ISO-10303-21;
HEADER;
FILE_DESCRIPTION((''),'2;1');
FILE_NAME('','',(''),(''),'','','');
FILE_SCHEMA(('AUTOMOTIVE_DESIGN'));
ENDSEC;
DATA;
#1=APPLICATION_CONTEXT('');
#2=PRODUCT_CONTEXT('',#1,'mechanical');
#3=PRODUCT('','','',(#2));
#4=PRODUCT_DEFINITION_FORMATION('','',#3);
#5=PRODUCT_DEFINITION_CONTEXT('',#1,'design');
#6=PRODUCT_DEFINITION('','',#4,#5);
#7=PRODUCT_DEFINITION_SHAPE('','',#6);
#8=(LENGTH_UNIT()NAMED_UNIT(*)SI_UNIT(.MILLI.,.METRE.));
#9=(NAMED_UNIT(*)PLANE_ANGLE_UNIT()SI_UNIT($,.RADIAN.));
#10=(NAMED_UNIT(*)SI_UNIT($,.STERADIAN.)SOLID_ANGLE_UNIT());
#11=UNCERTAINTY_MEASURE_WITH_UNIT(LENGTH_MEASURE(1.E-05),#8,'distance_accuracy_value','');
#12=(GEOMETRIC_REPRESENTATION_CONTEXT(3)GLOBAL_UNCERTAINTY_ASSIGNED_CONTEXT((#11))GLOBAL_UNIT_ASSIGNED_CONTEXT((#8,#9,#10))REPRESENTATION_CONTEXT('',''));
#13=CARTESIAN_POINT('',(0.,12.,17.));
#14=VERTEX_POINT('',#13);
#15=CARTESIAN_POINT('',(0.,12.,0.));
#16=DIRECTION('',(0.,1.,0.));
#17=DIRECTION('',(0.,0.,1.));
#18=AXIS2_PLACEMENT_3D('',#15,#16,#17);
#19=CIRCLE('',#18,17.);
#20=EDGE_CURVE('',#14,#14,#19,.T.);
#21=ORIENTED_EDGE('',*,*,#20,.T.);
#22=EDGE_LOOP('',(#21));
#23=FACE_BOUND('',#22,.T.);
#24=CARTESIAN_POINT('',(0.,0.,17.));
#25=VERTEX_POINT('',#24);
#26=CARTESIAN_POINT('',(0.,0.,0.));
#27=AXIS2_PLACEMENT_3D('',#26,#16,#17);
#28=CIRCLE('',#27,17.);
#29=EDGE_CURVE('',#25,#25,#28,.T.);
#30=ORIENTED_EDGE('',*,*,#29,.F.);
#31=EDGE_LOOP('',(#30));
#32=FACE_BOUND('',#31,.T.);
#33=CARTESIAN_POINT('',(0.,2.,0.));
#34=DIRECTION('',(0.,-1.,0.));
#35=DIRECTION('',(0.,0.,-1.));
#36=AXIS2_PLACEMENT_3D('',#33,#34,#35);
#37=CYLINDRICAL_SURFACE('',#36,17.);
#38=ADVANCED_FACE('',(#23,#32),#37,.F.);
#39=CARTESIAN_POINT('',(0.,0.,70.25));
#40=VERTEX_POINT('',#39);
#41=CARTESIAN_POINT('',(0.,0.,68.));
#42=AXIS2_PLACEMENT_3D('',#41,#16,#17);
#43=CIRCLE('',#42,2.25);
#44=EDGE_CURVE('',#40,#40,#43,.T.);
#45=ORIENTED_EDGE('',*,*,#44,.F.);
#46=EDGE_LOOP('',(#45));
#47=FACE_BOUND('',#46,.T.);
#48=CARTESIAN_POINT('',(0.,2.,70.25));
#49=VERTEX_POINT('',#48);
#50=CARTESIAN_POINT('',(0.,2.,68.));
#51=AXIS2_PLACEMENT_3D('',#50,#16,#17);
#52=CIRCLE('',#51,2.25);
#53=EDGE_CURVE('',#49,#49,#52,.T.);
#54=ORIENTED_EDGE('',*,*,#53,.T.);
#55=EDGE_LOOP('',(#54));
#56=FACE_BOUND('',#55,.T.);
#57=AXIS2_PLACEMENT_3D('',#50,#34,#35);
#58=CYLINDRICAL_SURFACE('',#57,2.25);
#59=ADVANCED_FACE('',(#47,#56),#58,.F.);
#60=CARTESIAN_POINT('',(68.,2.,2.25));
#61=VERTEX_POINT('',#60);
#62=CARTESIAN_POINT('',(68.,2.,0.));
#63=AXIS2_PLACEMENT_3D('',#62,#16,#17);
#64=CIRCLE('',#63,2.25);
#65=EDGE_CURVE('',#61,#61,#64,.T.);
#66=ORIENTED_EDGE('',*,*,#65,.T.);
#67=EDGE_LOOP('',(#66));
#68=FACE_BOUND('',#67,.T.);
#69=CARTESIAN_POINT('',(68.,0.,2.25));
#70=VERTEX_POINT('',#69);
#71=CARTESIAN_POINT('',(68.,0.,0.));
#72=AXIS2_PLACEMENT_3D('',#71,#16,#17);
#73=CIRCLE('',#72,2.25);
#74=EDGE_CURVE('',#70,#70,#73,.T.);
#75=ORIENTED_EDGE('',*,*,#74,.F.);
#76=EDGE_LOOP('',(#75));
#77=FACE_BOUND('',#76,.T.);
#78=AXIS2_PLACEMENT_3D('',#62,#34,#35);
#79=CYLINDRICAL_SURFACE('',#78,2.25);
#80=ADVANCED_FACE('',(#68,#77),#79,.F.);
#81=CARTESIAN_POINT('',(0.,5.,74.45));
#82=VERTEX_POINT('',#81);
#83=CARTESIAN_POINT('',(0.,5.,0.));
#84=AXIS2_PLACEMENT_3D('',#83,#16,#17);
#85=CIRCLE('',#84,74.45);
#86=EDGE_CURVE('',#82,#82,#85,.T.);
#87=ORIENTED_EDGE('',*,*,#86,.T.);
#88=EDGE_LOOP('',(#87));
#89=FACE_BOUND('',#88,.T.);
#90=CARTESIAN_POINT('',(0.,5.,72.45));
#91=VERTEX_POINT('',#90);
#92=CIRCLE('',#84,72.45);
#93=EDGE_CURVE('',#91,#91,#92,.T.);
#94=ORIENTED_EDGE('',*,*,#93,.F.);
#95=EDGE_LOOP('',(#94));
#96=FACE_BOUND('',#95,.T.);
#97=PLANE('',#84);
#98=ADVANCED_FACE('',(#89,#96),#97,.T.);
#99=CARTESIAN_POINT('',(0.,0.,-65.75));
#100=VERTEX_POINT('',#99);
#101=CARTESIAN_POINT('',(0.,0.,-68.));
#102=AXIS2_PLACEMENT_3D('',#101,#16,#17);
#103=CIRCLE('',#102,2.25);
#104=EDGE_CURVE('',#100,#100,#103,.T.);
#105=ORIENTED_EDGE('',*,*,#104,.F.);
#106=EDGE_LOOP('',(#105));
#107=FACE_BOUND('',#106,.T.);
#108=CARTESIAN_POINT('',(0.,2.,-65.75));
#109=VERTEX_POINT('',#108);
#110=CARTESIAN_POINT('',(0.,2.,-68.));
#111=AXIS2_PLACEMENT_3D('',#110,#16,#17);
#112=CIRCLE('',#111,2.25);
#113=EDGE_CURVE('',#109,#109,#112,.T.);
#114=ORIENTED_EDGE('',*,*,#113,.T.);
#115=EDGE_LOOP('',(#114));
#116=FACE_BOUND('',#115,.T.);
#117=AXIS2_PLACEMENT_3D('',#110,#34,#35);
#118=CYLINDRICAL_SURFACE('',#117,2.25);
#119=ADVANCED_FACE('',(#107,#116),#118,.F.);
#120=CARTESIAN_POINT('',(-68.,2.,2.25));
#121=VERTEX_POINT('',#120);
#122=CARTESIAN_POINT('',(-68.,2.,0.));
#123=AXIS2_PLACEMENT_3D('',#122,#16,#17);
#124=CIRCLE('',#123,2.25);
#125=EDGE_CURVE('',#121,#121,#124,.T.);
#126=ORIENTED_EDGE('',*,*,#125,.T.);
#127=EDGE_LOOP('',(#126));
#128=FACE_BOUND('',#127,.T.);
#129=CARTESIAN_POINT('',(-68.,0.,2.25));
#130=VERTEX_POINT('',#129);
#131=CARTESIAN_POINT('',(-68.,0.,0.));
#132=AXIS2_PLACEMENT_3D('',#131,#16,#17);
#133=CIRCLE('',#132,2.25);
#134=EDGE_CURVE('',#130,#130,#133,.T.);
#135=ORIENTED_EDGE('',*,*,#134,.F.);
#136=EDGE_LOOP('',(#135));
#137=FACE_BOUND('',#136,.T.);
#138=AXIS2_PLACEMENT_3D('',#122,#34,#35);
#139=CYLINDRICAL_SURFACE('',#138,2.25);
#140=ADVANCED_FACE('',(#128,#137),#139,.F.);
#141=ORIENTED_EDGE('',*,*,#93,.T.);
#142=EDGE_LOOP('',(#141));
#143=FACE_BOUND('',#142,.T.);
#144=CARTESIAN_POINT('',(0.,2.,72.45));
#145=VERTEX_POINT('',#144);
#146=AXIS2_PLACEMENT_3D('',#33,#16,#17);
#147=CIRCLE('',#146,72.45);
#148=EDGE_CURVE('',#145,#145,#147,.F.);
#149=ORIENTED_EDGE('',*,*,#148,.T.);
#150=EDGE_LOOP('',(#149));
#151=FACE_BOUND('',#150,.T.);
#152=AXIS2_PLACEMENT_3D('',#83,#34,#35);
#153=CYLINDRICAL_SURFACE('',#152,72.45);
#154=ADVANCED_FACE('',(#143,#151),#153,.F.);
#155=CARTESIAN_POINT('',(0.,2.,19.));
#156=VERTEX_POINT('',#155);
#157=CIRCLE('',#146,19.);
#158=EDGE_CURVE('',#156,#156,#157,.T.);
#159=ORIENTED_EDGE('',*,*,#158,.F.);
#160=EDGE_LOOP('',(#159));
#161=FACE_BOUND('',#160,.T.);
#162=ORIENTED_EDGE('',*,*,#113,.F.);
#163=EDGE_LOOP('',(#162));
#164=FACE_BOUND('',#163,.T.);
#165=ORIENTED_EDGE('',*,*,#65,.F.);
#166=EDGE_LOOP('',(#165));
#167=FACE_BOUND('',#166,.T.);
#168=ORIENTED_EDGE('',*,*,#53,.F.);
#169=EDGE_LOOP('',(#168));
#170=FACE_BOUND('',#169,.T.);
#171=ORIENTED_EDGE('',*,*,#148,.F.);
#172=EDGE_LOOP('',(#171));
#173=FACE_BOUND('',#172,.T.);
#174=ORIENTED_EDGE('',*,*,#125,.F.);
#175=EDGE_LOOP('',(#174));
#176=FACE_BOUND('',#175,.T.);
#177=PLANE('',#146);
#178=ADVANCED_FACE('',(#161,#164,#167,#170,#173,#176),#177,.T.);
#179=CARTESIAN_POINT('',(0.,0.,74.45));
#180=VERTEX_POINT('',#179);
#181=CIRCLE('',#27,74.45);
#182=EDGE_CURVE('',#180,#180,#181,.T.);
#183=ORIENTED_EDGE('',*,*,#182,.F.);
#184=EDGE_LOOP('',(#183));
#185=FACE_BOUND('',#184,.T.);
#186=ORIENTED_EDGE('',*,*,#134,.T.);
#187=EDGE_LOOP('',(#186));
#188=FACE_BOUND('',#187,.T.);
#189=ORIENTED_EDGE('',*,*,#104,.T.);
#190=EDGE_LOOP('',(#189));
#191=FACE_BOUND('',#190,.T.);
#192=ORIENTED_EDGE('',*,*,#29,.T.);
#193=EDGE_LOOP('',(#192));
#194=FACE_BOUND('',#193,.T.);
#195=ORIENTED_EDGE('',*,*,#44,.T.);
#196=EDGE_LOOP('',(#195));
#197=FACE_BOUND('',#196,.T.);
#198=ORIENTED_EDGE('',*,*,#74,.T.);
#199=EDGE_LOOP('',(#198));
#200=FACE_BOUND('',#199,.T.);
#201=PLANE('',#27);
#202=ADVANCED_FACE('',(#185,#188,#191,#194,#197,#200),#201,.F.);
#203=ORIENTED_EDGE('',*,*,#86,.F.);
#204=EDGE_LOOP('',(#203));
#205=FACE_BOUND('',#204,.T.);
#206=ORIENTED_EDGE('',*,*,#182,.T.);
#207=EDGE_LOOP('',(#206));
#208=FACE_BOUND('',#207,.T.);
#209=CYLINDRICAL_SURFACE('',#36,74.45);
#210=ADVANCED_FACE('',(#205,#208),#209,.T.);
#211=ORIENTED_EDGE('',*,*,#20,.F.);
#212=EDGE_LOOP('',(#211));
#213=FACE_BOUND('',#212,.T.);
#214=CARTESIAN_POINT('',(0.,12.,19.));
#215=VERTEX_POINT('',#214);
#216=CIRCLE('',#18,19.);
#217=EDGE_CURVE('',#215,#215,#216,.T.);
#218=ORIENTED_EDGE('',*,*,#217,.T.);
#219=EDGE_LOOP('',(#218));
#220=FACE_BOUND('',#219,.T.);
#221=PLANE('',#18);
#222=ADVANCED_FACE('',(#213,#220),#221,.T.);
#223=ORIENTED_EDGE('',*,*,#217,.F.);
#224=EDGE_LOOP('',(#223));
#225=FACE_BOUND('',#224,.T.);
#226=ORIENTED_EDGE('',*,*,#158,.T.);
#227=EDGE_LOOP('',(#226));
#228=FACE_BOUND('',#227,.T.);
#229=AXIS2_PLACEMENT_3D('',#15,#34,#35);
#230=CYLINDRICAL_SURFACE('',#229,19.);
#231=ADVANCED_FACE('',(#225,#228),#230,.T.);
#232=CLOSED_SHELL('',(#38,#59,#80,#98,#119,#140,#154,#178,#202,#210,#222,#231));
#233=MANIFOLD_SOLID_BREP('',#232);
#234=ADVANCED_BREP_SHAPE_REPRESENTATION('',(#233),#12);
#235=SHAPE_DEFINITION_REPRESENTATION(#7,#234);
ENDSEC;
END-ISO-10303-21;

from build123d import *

# Parameters (mm, degrees)
SKETCH1_R           = 74.45
SKETCH1_R_2         = 2.25
SKETCH1_R_3         = 17
BOSS_EXTRUDE1_DEPTH = 2
SKETCH2_R           = 19
SKETCH2_R_2         = 17
BOSS_EXTRUDE2_DEPTH = 10
SKETCH3_R           = 74.45
SKETCH3_R_2         = 72.45
BOSS_EXTRUDE3_DEPTH = 3


with BuildPart() as part:
    # Sketch1 → Boss-Extrude1 (new body)
    with BuildSketch(Plane(origin=(0, 0, 0), x_dir=(1, 0, 0), z_dir=(0, 1, 0))):
        with Locations(Location((0, 0, 0), (0, 0, 270))):
            Circle(SKETCH1_R)
        with Locations(Location((68, 0, 0), (0, 0, 270))):
            Circle(SKETCH1_R_2, mode=Mode.SUBTRACT)
        with Locations(Location((0, -68, 0), (0, 0, 270))):
            Circle(SKETCH1_R_2, mode=Mode.SUBTRACT)
        with Locations(Location((-68, 0, 0), (0, 0, 270))):
            Circle(SKETCH1_R_2, mode=Mode.SUBTRACT)
        with Locations(Location((0, 68, 0), (0, 0, 270))):
            Circle(SKETCH1_R_2, mode=Mode.SUBTRACT)
        with Locations(Location((0, 0, 0), (0, 0, 270))):
            Circle(SKETCH1_R_3, mode=Mode.SUBTRACT)
    extrude(amount=BOSS_EXTRUDE1_DEPTH)

    # Sketch2 → Boss-Extrude2 (add)
    with BuildSketch(Plane(origin=(0, 2, 0), x_dir=(1, 0, 0), z_dir=(0, 1, 0))):
        with Locations(Location((0, 0, 0), (0, 0, 270))):
            Circle(SKETCH2_R)
        with Locations(Location((0, 0, 0), (0, 0, 270))):
            Circle(SKETCH2_R_2, mode=Mode.SUBTRACT)
    extrude(amount=BOSS_EXTRUDE2_DEPTH)

    # Sketch3 → Boss-Extrude3 (add)
    with BuildSketch(Plane(origin=(0, 2, 0), x_dir=(1, 0, 0), z_dir=(0, 1, 0))):
        with Locations(Location((0, 0, 0), (0, 0, 270))):
            Circle(SKETCH3_R)
        with Locations(Location((0, 0, 0), (0, 0, 270))):
            Circle(SKETCH3_R_2, mode=Mode.SUBTRACT)
    extrude(amount=BOSS_EXTRUDE3_DEPTH)


solid = part.part
